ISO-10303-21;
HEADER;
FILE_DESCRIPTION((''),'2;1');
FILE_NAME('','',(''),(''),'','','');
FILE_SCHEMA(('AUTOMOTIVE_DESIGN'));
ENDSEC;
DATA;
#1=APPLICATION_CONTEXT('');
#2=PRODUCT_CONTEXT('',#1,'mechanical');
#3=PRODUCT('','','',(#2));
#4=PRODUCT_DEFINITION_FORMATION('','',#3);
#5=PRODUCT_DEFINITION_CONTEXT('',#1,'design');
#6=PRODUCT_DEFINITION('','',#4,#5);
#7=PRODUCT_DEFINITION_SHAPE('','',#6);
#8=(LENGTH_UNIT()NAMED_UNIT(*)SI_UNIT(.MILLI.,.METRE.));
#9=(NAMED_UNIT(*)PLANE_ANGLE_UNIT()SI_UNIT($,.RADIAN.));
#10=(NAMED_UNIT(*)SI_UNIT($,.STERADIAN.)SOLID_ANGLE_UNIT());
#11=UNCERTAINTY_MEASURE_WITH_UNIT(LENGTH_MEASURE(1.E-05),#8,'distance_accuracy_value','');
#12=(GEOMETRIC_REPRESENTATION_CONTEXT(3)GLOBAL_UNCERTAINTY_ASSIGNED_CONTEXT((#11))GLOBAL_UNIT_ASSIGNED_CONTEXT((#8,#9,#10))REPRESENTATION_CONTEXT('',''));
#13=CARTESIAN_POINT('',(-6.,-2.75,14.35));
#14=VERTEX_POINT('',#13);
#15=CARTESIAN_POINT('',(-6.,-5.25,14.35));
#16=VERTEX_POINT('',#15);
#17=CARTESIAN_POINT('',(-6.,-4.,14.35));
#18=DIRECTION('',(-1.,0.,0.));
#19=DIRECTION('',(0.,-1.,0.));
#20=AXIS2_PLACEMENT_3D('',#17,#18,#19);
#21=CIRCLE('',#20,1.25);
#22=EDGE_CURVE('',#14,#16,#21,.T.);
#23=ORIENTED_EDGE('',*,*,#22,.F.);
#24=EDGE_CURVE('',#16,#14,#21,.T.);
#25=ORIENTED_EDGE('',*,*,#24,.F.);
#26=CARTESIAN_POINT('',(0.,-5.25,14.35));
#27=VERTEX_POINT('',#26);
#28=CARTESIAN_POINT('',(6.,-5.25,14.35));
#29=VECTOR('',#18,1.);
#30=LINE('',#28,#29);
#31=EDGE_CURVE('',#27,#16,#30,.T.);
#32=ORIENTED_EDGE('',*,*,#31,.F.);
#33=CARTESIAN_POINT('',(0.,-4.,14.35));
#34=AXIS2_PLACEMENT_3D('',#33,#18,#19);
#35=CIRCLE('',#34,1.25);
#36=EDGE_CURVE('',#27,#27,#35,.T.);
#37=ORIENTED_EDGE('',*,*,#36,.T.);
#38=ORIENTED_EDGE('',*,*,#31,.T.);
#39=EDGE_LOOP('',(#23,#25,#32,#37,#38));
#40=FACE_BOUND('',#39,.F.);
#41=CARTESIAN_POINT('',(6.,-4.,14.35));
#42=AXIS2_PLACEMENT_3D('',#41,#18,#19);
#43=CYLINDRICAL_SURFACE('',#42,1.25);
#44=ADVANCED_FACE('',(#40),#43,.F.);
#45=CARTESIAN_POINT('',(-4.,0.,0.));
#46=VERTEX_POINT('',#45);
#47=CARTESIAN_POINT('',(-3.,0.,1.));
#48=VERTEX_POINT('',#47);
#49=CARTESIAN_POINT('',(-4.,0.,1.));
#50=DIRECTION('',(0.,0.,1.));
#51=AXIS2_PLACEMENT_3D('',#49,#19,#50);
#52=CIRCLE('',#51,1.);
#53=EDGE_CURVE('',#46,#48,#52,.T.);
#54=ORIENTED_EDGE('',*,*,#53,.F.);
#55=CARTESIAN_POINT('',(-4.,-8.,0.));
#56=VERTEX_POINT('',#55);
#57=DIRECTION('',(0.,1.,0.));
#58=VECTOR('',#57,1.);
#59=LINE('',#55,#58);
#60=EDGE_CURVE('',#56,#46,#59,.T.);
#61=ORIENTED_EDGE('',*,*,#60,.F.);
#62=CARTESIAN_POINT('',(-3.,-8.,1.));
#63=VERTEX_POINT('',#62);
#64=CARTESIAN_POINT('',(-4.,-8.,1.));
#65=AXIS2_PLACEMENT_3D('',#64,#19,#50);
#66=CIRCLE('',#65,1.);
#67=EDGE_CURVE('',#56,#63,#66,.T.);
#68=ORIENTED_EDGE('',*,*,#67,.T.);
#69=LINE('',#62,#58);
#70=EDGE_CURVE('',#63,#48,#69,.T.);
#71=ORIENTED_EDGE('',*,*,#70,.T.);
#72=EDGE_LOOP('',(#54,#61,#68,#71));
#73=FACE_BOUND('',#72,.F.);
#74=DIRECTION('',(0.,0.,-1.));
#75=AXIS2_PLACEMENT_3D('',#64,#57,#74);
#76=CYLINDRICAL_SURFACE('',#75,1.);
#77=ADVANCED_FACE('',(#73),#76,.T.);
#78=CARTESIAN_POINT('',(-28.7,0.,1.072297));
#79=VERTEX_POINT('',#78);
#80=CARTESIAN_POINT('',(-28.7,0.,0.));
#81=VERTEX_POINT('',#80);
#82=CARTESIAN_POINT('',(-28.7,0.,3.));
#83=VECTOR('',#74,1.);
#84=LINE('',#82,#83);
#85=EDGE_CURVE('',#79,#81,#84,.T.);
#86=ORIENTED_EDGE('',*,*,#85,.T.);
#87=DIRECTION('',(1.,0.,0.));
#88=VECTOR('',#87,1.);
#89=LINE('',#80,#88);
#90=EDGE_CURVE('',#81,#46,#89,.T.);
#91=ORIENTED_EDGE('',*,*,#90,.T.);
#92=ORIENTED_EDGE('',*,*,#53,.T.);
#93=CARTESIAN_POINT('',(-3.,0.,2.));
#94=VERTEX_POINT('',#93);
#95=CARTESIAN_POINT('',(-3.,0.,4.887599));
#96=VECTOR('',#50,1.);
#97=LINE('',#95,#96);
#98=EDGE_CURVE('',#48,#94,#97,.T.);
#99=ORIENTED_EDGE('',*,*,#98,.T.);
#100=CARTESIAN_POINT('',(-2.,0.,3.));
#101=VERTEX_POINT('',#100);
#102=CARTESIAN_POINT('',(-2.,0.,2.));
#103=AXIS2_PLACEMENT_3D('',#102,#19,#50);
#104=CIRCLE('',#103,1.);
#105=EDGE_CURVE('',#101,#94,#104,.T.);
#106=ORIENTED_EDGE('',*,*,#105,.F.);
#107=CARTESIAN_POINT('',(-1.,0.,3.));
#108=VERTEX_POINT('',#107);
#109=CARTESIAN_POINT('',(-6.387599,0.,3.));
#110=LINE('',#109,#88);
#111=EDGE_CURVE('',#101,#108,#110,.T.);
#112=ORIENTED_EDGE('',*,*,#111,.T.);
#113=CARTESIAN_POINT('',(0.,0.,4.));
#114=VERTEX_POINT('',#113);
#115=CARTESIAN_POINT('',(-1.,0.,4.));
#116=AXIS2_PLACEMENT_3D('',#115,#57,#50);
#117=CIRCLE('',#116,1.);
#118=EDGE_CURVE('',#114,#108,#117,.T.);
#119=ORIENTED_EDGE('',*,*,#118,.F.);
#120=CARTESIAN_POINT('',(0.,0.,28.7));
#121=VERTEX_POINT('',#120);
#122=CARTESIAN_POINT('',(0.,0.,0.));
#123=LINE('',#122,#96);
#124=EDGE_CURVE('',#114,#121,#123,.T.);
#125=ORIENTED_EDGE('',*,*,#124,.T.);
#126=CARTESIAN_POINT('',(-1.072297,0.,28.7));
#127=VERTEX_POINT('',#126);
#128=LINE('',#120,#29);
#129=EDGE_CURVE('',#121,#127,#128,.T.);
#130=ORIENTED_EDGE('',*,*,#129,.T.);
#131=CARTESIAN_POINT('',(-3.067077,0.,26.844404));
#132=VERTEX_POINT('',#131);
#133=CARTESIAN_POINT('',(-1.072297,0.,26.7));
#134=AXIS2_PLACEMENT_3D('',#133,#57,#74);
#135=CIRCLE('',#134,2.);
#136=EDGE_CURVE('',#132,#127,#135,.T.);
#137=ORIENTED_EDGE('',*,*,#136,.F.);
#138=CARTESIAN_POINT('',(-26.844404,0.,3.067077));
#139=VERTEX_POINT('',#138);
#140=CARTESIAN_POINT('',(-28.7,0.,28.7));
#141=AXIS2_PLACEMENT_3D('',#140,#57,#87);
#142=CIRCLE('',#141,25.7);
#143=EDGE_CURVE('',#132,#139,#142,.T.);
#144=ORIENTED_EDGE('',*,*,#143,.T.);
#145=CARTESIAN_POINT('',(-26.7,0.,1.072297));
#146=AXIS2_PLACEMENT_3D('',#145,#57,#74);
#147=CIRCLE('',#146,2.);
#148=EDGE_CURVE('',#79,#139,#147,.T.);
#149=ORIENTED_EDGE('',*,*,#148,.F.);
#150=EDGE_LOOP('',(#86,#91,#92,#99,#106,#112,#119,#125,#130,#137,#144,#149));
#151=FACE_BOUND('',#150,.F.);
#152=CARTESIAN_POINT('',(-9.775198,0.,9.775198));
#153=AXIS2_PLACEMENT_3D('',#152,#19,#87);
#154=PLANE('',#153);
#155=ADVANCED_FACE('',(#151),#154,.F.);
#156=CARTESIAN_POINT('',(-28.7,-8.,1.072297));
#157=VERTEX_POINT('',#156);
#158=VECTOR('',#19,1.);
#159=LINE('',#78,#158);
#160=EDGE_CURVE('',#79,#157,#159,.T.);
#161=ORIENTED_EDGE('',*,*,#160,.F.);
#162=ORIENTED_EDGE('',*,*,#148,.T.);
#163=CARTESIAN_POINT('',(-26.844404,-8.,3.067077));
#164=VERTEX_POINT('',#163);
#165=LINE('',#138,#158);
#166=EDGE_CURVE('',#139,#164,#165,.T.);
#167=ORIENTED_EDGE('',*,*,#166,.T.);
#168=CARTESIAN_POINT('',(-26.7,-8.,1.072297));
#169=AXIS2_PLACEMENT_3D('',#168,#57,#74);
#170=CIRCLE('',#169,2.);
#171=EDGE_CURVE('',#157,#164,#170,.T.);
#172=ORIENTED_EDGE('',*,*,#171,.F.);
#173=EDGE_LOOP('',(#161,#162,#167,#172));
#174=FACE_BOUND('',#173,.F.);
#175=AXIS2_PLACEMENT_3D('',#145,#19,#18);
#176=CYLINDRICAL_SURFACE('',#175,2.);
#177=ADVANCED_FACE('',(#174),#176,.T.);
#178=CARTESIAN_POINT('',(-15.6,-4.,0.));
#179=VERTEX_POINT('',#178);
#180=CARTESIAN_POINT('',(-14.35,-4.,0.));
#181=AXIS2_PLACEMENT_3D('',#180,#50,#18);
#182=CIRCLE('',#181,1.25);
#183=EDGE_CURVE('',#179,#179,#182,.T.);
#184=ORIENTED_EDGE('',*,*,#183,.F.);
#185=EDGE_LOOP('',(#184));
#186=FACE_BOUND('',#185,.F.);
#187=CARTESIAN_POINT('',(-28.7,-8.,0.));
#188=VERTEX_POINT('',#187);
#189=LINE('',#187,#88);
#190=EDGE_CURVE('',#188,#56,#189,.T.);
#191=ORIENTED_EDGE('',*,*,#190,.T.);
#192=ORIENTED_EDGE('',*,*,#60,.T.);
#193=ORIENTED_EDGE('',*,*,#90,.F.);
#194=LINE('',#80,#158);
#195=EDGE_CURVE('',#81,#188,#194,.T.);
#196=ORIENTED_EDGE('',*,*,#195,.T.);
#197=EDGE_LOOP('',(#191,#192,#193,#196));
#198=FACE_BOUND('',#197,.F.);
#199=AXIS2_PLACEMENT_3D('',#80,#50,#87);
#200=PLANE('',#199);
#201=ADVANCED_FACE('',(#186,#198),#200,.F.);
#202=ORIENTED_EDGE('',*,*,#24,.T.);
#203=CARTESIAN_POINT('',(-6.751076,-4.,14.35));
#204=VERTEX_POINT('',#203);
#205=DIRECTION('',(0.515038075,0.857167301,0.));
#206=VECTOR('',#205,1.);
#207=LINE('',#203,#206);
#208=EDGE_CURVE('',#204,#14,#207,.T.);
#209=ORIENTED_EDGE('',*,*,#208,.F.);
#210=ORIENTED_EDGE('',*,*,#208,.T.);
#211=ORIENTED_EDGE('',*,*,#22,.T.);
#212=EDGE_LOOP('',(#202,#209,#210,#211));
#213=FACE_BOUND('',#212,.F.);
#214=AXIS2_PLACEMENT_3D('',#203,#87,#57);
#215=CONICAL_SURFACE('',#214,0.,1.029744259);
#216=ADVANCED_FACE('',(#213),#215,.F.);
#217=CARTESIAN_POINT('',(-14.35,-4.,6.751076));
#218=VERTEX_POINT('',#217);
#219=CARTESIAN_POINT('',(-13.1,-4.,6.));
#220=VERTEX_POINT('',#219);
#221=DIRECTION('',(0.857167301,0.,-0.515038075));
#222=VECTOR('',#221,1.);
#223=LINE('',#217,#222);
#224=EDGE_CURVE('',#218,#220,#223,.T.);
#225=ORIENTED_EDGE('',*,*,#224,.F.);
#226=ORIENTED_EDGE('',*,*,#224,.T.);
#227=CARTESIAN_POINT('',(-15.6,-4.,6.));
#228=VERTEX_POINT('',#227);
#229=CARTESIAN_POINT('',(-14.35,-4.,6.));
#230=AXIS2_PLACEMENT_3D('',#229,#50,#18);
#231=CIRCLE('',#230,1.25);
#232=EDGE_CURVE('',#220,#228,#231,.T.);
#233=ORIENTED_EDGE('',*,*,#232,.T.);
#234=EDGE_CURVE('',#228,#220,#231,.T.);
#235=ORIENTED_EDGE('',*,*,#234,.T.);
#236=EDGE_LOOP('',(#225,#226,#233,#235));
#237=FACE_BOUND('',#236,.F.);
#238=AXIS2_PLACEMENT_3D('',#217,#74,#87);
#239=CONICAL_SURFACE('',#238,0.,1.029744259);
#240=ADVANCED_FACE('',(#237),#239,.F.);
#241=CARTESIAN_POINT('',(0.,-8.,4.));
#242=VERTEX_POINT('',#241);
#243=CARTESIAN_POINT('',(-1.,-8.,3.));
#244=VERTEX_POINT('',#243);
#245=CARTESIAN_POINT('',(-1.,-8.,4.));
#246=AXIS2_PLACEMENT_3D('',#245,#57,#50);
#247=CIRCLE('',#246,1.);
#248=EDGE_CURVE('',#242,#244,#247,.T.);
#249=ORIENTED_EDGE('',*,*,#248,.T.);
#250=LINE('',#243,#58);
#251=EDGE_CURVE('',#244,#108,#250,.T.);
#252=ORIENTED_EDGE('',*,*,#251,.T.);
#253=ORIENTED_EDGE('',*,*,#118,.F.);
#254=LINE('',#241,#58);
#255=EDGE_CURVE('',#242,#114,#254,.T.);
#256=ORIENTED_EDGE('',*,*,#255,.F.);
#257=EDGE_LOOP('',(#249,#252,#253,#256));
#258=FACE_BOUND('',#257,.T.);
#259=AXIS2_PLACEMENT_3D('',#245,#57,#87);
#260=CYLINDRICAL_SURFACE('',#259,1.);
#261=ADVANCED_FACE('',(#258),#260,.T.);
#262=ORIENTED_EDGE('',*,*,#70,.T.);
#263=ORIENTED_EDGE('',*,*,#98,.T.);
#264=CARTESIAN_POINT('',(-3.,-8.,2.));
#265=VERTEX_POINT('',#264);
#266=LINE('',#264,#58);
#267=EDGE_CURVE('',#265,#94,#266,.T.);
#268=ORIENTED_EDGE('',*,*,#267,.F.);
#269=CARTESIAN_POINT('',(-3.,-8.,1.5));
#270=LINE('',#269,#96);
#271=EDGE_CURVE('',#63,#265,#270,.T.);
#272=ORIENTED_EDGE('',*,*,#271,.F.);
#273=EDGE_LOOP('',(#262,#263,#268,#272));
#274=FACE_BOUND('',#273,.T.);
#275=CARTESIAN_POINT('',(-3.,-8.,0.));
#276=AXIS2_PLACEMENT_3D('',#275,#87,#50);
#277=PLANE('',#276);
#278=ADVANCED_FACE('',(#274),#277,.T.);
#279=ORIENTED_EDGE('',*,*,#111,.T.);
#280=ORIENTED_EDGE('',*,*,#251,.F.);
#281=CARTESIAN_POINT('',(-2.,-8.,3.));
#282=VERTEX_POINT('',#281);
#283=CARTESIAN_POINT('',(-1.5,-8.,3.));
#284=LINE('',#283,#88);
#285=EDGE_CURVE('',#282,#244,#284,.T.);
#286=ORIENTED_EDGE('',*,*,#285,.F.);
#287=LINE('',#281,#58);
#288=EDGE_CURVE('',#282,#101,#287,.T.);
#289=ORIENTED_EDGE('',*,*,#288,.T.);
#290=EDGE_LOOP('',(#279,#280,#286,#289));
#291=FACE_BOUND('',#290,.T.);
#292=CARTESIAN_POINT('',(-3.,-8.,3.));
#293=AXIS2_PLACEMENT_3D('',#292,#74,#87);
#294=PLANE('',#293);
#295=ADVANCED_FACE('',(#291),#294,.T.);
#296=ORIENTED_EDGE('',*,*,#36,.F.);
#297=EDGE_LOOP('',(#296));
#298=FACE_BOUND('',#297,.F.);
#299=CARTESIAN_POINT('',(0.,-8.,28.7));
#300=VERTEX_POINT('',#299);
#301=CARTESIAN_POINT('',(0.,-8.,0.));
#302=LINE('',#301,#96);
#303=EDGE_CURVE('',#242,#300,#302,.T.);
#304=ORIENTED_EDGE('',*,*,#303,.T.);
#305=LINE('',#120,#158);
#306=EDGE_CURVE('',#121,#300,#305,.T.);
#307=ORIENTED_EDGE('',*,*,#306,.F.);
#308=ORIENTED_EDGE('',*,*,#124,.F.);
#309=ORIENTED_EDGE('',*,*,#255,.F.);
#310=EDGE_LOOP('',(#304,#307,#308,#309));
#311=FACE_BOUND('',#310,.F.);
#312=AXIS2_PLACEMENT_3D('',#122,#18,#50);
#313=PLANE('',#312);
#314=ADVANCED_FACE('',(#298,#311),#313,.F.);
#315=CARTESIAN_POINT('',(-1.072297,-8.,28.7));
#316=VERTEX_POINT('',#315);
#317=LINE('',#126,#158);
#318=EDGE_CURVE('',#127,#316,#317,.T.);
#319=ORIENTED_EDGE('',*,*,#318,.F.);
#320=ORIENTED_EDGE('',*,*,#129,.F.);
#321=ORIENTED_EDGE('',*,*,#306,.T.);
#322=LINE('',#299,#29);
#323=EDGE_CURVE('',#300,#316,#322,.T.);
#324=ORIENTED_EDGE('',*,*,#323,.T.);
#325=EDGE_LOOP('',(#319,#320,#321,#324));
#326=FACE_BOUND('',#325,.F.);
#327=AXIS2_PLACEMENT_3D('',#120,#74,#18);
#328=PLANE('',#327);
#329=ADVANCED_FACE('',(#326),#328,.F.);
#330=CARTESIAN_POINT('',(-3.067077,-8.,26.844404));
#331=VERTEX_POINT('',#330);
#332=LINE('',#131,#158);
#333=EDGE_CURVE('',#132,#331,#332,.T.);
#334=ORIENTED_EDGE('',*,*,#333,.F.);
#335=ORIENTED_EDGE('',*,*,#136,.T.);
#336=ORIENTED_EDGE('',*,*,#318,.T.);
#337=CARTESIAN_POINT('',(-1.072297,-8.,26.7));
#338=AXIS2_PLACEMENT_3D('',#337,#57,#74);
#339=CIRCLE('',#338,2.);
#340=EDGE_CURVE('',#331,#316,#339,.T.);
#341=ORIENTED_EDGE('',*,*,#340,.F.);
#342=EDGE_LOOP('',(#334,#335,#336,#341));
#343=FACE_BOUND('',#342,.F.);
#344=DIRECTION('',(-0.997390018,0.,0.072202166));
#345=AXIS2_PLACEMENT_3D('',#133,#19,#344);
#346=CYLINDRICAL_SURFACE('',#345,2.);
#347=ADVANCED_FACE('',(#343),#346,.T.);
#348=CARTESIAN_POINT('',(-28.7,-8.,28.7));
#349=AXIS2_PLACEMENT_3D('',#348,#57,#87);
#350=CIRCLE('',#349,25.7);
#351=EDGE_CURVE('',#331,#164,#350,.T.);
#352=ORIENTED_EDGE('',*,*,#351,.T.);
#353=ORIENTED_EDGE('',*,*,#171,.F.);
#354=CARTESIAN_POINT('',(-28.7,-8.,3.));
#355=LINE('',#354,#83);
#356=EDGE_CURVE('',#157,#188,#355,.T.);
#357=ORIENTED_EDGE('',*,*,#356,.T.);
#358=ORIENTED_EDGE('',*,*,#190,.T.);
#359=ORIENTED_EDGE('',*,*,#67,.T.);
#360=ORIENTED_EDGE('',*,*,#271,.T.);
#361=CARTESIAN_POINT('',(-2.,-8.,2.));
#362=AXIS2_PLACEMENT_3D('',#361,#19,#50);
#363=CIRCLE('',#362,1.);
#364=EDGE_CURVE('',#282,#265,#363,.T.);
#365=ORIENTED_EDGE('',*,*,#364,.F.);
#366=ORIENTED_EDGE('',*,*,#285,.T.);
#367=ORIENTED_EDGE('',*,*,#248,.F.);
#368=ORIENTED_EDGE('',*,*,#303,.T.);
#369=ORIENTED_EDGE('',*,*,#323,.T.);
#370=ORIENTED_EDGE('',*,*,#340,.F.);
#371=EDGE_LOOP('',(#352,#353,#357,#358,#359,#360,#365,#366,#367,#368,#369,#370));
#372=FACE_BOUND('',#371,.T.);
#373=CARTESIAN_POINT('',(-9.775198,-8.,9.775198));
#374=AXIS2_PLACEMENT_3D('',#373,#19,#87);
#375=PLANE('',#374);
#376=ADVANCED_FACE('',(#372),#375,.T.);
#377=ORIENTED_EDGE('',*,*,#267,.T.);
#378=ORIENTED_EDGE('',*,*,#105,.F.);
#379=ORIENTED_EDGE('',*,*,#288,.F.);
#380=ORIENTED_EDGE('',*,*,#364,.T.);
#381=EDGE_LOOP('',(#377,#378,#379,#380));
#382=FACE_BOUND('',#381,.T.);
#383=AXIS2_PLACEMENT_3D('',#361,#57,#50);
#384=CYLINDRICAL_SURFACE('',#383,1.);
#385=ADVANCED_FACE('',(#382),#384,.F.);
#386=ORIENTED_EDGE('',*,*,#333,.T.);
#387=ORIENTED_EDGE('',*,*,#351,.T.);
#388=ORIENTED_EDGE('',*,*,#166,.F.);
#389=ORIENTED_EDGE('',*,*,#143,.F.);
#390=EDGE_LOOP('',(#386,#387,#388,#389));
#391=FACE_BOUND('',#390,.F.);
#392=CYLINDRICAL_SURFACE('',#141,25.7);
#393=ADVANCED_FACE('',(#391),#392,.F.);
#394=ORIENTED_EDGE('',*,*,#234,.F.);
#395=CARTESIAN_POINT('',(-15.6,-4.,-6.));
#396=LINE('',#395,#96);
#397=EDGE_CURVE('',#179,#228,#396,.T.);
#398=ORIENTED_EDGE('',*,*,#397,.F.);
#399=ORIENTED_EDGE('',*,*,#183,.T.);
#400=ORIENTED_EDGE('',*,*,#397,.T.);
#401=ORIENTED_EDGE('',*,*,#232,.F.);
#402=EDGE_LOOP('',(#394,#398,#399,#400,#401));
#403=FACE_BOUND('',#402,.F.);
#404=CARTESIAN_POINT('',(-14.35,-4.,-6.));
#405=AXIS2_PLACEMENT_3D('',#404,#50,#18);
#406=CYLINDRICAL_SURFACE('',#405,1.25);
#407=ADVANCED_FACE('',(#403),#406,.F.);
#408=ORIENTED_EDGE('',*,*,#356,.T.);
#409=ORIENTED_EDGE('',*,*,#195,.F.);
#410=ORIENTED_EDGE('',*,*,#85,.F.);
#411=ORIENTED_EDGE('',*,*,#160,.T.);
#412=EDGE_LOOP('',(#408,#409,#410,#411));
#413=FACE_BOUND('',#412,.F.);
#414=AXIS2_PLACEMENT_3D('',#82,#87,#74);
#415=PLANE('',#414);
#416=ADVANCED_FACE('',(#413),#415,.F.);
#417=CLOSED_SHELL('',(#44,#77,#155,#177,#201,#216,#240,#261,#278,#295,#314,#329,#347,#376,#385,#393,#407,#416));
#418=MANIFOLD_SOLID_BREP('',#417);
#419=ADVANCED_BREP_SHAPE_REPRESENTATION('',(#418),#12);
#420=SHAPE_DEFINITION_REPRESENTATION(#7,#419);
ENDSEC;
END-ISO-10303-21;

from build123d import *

# Parameters (mm, degrees)
F1_DEPTH = 8
F3_D     = 2.5
F3_DEPTH = 6
F3_TIP   = 0.7510757738
F5_D     = 2.5
F5_DEPTH = 6
F5_TIP   = 0.7510757738
F6_R     = 2
F7_W     = 3
F7_H     = 3
F8_DEPTH = 8.001
F9_R     = 1


with BuildPart() as f1:
    # F0 (on Front) → F1 (new body)
    with BuildSketch(Plane.XZ):
        with BuildLine():
            Line((-28.7, 0), (0, 0))
            Line((0, 0), (0, 28.7))
            Line((0, 28.7), (-3, 28.7))
            ThreePointArc((-3, 28.7), (-10.5273557235, 10.5273557235), (-28.7, 3))
            Line((-28.7, 3), (-28.7, 0))
        make_face()
    extrude(amount=F1_DEPTH)

    # F3
    with Locations(Plane.YZ):
        with Locations((-4, 14.35)):
            Hole(F3_D / 2, depth=F3_DEPTH)
            with Locations((0, 0, -(F3_DEPTH + F3_TIP / 2))):  # 118° drill point
                Cone(0, F3_D / 2, F3_TIP, mode=Mode.SUBTRACT)

    # F5
    with Locations(Plane(origin=(0, 0, 0), x_dir=(1, 0, 0), z_dir=(0, 0, -1))):
        with Locations((-14.35, 4)):
            Hole(F5_D / 2, depth=F5_DEPTH)
            with Locations((0, 0, -(F5_DEPTH + F5_TIP / 2))):  # 118° drill point
                Cone(0, F5_D / 2, F5_TIP, mode=Mode.SUBTRACT)

    # F6
    f6_edges = [f1.edges().sort_by_distance(p)[0] for p in [
        (-3, -4, 28.7),
        (-28.7, -4, 3),
    ]]
    fillet(f6_edges, radius=F6_R)

    # F7 (on face) → F8 (cut, through all)
    with BuildSketch(Plane.XZ.offset(8)):
        with Locations((-1.5, 1.5)):
            Rectangle(F7_W, F7_H)
    extrude(amount=-F8_DEPTH, mode=Mode.SUBTRACT)

    # F9
    f9_edges = [f1.edges().sort_by_distance(p)[0] for p in [
        (0, -4, 3),
        (-3, -4, 3),
        (-3, -4, 0),
    ]]
    fillet(f9_edges, radius=F9_R)


solid = f1.part
